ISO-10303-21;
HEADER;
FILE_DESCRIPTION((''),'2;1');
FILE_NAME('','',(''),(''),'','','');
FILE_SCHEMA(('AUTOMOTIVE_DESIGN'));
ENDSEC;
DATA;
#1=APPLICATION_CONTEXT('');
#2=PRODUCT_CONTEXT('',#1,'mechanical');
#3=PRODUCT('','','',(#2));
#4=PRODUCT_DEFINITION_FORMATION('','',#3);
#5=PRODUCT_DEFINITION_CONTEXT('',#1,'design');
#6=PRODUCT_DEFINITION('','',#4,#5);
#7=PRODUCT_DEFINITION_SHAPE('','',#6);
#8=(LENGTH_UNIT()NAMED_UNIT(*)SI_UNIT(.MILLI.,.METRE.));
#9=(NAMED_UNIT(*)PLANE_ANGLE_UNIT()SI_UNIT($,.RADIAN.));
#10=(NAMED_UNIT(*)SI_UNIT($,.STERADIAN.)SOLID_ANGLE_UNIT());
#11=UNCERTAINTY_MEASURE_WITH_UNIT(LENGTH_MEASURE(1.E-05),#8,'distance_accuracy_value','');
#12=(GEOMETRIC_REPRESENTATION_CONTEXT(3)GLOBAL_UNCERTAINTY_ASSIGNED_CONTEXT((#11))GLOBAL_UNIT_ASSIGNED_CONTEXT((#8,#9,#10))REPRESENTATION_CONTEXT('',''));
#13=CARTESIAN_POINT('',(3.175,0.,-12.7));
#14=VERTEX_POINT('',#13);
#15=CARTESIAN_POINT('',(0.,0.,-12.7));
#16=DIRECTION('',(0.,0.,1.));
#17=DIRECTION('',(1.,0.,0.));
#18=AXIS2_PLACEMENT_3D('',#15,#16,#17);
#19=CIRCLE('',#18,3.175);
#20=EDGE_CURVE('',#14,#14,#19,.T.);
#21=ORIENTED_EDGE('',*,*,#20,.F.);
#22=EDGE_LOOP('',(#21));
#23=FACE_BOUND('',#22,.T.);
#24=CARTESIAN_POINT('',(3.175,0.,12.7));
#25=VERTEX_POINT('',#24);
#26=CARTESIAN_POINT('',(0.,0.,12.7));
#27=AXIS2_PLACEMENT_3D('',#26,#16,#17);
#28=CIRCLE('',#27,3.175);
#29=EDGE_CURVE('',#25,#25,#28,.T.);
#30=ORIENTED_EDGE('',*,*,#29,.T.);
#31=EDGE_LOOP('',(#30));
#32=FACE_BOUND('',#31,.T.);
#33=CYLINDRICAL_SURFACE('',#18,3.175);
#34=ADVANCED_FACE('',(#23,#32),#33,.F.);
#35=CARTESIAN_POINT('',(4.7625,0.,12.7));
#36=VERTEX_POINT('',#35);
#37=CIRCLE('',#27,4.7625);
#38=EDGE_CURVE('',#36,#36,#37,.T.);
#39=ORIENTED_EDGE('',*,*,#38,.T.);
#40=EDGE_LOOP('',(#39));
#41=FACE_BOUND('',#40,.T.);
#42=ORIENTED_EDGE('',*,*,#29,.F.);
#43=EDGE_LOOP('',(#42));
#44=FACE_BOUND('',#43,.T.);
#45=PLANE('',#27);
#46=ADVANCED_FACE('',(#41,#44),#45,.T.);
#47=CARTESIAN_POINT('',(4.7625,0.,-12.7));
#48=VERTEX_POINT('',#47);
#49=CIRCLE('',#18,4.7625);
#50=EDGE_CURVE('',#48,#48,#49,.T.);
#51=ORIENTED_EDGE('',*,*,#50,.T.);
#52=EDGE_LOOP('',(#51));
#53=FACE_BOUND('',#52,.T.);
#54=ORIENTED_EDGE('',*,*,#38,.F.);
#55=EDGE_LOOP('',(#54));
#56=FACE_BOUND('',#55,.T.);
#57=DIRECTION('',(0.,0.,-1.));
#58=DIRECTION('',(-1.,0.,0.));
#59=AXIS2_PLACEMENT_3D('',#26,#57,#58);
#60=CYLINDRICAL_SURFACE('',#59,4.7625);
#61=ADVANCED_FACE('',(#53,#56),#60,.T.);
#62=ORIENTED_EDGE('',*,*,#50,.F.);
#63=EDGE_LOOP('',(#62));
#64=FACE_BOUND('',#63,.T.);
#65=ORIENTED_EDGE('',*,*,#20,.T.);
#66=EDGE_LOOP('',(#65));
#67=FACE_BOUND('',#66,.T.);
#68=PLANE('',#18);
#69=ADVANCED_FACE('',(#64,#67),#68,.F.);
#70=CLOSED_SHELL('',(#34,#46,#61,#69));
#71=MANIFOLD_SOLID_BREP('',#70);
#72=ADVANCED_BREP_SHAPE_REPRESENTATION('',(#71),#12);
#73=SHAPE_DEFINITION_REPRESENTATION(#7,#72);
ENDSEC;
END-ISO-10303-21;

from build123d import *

# Parameters (mm, degrees)
SKETCH1_R           = 4.7625
BOSS_EXTRUDE1_DEPTH = 12.7
SKETCH2_R           = 3.175
CUT_EXTRUDE1_DEPTH  = 26.4


with BuildPart() as part:
    # Sketch1 → Boss-Extrude1 (new body, symmetric)
    with BuildSketch(Plane.XY):
        Circle(SKETCH1_R)
    extrude(amount=BOSS_EXTRUDE1_DEPTH, both=True)

    # Sketch2 → Cut-Extrude1 (cut, through all)
    with BuildSketch(Plane.XY.offset(12.7)):
        Circle(SKETCH2_R)
    extrude(amount=-CUT_EXTRUDE1_DEPTH, mode=Mode.SUBTRACT)


solid = part.part
